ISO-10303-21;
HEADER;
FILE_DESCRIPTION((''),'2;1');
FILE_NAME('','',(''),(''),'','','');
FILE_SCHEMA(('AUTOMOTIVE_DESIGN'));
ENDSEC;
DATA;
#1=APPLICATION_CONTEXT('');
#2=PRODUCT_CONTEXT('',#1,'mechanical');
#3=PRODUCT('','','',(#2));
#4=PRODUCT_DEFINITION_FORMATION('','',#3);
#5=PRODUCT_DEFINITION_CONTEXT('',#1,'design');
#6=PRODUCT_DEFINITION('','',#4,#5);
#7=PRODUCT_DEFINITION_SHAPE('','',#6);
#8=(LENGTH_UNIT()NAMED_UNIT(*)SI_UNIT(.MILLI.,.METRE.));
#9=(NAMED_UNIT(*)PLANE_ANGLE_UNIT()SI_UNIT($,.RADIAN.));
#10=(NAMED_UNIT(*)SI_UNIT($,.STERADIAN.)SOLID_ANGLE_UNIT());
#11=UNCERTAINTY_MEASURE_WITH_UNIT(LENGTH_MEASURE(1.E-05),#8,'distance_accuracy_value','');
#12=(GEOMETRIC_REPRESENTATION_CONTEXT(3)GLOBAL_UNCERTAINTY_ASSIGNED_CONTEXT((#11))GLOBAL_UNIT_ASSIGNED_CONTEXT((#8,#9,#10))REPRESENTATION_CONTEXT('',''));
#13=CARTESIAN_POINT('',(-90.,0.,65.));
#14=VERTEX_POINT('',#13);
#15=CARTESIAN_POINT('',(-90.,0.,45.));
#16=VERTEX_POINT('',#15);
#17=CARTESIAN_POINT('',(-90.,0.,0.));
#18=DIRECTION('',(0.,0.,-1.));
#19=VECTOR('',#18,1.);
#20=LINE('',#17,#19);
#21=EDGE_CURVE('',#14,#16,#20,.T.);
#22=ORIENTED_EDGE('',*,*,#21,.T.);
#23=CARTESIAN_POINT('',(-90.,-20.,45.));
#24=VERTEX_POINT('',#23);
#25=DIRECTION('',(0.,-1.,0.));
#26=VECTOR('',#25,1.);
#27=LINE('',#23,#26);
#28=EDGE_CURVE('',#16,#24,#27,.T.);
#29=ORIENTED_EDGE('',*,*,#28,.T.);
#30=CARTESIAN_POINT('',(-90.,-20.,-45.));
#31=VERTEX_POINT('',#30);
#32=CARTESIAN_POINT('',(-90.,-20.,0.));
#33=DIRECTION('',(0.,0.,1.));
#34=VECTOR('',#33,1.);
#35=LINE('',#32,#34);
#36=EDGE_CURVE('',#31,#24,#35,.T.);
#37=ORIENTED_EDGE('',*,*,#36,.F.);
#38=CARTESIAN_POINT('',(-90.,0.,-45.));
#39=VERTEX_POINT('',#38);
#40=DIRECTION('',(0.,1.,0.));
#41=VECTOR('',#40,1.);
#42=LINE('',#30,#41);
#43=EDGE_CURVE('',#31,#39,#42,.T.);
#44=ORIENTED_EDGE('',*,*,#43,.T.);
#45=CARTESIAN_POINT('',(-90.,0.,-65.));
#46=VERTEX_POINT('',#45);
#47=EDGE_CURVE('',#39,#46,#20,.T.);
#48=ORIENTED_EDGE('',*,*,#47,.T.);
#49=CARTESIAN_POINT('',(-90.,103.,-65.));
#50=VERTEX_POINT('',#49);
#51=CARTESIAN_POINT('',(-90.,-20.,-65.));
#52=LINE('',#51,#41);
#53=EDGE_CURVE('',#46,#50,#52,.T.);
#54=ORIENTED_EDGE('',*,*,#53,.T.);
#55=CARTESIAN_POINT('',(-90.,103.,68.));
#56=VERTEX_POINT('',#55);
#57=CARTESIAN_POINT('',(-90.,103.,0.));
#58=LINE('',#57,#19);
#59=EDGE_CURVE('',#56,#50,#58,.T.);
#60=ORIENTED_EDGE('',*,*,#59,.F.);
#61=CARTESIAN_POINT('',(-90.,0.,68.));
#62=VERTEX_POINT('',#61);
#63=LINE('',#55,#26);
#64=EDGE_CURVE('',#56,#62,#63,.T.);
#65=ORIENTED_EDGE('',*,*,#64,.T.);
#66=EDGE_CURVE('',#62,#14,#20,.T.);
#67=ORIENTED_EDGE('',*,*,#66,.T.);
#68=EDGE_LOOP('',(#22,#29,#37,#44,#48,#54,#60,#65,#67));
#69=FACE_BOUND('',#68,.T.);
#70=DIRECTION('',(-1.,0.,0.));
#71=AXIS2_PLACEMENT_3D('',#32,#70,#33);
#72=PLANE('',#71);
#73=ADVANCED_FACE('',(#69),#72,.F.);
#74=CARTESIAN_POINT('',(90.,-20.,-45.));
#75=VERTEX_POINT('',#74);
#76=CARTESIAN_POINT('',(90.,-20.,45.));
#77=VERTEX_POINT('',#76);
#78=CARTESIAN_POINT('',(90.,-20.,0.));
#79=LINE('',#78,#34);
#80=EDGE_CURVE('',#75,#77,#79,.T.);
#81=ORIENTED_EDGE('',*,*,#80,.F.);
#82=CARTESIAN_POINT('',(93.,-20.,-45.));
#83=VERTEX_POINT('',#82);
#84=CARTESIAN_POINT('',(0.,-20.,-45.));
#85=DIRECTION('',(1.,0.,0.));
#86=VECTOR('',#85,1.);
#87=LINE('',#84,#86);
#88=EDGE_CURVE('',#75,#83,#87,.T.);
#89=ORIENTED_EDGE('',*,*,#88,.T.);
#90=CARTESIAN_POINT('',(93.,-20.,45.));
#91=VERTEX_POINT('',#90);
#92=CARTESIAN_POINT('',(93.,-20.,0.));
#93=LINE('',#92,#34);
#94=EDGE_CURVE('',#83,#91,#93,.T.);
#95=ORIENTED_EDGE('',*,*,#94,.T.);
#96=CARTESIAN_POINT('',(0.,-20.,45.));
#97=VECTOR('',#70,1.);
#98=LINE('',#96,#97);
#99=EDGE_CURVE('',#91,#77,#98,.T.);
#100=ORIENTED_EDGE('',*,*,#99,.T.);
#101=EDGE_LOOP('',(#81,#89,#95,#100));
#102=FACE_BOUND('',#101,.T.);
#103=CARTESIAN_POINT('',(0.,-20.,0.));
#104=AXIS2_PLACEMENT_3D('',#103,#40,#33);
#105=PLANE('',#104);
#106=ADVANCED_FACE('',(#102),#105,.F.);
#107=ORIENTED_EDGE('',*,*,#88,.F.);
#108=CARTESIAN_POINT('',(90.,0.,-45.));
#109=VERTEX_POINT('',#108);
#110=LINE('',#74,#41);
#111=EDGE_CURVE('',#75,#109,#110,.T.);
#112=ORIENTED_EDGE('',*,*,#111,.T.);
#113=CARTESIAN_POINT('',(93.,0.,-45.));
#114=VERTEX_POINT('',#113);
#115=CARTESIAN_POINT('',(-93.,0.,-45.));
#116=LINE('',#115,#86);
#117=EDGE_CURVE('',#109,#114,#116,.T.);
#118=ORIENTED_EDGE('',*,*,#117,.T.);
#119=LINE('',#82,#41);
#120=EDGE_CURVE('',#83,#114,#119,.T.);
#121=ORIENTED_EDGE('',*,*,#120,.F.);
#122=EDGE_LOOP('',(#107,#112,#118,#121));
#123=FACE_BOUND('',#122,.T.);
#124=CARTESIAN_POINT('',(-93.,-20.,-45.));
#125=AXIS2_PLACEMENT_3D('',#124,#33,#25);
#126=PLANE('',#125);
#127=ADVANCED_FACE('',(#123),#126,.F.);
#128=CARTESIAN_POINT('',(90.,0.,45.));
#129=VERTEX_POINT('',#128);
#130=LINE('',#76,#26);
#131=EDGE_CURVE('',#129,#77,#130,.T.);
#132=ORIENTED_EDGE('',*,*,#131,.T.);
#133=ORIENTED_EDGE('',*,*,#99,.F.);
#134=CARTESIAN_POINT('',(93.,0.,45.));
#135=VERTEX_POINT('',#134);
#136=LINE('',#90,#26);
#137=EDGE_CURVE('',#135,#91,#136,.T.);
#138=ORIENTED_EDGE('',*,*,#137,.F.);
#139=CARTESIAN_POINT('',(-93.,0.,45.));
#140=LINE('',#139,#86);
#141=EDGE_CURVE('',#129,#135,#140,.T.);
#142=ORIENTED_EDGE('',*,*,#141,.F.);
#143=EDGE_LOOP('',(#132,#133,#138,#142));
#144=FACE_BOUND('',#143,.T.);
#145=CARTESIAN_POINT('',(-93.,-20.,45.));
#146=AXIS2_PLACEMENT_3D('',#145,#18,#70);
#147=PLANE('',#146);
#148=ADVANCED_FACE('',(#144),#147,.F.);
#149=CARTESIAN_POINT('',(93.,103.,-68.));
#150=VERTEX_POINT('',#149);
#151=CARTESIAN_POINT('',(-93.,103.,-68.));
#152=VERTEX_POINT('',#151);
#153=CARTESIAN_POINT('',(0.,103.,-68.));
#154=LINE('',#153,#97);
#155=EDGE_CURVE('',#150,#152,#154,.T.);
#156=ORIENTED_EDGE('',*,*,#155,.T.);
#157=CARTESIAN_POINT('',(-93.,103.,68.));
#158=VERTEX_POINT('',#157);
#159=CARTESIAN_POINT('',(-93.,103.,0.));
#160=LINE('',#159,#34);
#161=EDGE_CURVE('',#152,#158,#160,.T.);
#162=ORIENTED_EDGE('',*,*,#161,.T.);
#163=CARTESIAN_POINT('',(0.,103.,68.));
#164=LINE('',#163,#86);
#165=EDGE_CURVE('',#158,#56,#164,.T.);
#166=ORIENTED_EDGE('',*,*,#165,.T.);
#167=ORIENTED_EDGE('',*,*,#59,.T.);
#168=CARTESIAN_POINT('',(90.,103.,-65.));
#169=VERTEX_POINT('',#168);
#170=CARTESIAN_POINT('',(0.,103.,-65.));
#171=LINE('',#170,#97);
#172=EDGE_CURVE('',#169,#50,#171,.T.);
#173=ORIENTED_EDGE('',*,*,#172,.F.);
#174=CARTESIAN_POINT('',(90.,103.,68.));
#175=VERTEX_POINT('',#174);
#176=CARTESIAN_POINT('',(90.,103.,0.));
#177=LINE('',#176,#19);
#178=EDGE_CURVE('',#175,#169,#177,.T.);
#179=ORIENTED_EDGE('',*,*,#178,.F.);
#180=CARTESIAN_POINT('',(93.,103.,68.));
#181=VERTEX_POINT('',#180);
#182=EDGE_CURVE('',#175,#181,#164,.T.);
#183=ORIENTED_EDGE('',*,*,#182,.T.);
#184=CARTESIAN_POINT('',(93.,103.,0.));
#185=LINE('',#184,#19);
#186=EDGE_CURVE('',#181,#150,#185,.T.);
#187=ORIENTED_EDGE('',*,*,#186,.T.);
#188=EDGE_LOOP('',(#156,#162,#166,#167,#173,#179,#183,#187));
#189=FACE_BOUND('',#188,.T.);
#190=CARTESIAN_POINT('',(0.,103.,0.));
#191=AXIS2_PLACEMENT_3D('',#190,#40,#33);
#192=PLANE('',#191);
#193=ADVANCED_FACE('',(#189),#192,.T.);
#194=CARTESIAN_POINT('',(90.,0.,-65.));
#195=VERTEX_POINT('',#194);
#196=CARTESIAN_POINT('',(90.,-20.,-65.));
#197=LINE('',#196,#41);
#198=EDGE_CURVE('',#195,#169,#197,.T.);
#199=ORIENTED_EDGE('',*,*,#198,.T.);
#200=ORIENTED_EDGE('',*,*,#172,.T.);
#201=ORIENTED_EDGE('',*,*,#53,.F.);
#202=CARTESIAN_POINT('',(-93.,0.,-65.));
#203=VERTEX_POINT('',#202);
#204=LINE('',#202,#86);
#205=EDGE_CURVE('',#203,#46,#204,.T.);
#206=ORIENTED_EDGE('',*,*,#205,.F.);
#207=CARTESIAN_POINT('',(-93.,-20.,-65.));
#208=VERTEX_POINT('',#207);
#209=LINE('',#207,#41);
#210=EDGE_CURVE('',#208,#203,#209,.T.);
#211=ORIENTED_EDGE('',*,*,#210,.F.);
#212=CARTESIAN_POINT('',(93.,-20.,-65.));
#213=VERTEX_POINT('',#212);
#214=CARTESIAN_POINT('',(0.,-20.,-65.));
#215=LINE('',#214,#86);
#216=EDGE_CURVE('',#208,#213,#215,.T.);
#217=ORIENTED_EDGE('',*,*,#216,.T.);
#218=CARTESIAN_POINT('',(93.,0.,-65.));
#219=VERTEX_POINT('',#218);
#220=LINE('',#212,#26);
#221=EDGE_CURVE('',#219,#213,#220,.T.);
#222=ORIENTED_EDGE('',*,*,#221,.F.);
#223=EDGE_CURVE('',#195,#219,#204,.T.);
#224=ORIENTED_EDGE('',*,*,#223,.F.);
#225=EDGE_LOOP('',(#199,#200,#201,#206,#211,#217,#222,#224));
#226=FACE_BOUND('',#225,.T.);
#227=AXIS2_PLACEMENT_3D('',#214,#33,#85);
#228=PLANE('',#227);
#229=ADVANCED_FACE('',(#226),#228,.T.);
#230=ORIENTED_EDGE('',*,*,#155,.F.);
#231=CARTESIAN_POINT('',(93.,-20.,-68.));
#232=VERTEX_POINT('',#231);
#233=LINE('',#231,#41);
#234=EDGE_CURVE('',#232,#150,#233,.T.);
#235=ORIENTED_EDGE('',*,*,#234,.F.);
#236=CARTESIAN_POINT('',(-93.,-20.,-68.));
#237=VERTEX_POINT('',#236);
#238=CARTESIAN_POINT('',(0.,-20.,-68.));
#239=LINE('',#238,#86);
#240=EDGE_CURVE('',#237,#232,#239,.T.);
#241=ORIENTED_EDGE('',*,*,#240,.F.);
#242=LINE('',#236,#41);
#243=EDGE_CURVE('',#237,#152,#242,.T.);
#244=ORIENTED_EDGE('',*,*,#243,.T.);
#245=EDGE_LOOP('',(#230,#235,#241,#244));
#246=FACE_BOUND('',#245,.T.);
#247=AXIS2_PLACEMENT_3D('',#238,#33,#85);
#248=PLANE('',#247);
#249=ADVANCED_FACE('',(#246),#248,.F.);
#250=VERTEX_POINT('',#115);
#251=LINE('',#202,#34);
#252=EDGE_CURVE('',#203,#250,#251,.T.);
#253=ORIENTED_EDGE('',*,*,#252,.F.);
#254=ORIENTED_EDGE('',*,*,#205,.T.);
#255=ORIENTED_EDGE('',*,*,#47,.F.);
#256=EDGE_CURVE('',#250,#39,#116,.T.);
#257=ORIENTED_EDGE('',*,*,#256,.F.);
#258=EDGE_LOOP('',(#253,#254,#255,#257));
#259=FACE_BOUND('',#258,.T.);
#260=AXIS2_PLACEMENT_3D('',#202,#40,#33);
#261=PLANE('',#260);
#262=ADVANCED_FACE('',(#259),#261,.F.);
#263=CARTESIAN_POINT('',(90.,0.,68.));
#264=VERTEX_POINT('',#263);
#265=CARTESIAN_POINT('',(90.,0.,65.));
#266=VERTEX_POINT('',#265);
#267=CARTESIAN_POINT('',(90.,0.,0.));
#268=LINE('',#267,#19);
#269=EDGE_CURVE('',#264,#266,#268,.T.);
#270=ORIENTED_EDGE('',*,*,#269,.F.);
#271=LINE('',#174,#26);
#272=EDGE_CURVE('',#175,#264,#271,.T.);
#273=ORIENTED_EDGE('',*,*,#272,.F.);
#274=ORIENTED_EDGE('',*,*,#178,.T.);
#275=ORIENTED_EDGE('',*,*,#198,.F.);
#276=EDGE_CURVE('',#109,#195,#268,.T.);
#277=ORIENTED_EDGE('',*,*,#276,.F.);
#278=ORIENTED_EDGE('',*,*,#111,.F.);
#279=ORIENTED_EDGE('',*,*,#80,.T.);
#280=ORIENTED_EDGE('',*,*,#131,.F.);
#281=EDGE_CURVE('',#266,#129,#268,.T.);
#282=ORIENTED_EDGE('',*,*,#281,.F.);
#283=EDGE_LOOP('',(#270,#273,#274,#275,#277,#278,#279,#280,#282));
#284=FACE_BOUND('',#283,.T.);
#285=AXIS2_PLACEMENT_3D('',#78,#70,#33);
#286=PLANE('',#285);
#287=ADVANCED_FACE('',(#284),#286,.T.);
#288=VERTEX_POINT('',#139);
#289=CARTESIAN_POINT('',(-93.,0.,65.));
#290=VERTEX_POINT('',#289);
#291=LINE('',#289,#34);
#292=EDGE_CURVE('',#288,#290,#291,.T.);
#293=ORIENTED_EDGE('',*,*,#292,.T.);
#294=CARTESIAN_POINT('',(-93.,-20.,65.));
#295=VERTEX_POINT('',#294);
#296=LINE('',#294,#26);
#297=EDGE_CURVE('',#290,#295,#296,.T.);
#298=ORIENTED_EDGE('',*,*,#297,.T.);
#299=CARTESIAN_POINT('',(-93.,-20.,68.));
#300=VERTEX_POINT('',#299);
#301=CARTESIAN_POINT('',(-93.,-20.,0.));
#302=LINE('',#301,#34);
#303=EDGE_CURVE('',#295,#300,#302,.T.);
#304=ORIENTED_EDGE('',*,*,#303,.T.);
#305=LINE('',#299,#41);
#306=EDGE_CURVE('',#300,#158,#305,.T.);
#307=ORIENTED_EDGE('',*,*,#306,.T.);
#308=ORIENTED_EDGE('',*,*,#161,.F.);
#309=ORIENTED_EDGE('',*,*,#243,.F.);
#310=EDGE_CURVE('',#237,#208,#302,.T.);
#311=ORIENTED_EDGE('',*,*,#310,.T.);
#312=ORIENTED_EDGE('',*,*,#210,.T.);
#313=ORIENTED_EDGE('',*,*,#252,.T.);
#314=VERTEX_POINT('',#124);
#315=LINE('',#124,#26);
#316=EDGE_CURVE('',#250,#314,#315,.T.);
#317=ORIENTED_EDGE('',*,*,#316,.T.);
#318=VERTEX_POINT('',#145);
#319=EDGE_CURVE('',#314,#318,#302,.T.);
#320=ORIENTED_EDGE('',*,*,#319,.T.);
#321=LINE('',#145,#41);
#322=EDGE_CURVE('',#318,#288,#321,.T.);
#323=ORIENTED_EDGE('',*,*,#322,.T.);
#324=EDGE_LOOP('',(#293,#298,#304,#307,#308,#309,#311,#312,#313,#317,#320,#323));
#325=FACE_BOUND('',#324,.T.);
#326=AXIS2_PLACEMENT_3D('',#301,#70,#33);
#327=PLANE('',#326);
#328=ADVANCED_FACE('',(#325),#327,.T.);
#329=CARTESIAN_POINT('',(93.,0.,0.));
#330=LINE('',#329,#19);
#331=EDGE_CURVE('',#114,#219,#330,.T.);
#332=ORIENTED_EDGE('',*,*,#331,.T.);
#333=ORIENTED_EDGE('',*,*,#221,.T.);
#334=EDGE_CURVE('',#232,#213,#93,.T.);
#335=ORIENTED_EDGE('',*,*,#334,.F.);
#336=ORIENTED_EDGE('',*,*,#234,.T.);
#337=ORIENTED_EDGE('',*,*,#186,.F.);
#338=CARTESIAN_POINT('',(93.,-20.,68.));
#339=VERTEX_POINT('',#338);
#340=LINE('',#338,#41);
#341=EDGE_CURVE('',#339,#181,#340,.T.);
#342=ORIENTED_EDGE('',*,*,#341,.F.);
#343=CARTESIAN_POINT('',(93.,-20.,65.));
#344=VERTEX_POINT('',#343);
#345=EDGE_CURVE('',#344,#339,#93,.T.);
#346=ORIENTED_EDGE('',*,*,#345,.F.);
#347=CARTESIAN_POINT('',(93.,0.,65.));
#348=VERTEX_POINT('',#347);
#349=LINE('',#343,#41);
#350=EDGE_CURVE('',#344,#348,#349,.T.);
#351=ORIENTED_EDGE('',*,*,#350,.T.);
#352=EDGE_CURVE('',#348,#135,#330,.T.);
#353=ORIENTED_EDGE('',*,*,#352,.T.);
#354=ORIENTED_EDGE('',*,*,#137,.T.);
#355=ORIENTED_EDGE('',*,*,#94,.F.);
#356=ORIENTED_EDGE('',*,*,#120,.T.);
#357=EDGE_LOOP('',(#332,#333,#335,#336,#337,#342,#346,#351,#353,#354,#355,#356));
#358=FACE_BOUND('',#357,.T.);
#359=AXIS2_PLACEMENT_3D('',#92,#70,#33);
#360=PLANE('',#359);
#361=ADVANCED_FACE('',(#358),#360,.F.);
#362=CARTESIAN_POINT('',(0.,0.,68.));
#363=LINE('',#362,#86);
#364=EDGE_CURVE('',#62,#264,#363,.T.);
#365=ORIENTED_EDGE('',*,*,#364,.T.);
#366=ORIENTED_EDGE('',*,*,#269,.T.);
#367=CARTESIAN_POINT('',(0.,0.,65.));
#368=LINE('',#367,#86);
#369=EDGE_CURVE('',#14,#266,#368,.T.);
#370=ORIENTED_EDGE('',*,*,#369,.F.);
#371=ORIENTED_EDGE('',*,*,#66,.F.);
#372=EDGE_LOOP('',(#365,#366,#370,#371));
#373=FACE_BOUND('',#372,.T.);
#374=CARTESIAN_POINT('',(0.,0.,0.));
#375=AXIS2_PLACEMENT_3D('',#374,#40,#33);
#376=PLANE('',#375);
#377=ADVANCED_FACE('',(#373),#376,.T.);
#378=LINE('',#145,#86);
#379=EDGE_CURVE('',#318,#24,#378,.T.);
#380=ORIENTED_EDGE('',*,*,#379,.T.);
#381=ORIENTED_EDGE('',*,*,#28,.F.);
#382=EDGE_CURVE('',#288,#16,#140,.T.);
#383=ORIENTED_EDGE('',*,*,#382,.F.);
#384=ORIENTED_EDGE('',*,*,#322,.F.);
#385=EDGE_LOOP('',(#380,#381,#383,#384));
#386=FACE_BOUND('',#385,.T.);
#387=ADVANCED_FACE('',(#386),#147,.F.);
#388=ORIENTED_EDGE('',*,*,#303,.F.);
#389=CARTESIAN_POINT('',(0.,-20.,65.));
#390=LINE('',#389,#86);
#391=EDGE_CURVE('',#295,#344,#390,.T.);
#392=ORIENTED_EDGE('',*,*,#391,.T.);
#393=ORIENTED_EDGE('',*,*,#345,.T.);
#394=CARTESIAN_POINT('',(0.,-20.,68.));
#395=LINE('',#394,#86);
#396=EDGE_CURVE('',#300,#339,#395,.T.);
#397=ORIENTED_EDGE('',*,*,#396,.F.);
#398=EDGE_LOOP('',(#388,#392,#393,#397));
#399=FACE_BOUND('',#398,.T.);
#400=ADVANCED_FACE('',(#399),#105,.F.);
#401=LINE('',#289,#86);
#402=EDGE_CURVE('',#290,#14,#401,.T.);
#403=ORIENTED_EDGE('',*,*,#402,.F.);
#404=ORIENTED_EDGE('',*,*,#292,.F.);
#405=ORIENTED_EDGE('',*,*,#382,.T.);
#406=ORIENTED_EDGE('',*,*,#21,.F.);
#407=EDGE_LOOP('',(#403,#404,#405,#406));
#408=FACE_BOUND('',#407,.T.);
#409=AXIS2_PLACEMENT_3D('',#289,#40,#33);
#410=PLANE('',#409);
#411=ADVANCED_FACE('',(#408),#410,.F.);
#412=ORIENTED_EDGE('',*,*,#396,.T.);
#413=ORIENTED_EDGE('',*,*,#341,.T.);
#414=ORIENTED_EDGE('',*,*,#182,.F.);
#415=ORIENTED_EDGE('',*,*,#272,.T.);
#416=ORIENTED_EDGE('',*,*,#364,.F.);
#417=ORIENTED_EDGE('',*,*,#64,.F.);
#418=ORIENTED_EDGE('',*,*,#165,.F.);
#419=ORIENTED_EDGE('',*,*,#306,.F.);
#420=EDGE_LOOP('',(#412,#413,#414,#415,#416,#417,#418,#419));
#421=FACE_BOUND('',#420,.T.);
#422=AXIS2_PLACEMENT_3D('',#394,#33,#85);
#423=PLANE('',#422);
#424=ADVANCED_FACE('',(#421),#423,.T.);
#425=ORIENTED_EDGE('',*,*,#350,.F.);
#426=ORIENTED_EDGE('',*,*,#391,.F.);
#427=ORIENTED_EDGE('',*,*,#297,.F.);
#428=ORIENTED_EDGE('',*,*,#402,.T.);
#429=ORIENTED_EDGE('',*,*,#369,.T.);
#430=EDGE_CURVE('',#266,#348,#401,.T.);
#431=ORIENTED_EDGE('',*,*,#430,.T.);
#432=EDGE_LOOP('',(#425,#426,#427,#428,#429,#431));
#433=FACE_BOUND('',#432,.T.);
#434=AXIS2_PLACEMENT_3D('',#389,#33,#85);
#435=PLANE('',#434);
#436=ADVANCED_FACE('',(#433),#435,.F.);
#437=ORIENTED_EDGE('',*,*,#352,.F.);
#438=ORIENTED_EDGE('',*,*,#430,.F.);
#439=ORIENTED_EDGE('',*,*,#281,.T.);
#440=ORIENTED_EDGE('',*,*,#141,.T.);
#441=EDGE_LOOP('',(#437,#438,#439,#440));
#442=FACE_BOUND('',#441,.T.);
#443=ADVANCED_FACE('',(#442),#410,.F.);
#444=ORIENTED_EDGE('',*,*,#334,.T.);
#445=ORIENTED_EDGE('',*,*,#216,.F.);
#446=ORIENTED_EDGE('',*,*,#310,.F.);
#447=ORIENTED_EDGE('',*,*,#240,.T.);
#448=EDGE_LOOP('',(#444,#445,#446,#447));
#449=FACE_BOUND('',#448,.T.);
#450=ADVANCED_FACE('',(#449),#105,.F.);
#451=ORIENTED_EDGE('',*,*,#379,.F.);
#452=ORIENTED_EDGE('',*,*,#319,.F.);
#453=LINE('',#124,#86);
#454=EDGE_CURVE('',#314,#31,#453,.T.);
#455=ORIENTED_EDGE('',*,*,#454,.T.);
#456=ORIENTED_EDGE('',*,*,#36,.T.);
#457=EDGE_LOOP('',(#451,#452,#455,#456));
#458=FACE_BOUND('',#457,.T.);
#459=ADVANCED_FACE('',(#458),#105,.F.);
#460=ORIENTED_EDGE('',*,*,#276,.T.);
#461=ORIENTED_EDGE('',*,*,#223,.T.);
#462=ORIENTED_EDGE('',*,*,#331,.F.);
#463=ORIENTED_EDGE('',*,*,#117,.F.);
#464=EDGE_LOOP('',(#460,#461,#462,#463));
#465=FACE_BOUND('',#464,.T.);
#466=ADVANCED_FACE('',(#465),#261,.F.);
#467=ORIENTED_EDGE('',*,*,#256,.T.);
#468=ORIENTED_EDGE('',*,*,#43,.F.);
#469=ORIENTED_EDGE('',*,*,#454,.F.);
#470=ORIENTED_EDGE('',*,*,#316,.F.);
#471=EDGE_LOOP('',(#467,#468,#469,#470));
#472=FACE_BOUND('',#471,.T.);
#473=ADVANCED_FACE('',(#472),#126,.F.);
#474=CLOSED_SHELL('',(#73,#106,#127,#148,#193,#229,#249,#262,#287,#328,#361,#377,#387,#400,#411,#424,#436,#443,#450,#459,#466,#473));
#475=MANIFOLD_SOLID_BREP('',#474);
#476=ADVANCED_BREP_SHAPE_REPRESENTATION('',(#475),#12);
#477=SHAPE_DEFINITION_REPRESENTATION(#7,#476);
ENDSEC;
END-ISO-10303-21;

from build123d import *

# Parameters (mm, degrees)
SKETCH2_W               = 186
SKETCH2_H               = 136
BOSS_EXTRUDE1_DEPTH     = 20
BOSS_EXTRUDE2_DEPTH     = 103
CUT_EXTRUDE1_DEPTH      = 224.224102641
CUT_EXTRUDE1_DEPTH_BACK = 224.224102641
SKETCH4_W               = 20
SKETCH4_H               = 20


with BuildPart() as part:
    # Sketch2 → Boss-Extrude1 (new body)
    with BuildSketch(Plane(origin=(0, 0, 0), x_dir=(1, 0, 0), z_dir=(0, 1, 0))):
        Rectangle(SKETCH2_W, SKETCH2_H)
        Polygon((-90, -65), (-90, -60), (-90, 60), (-90, 65), (90, 65), (90, 60), (90, -60), (90, -65), align=None, mode=Mode.SUBTRACT)
    extrude(amount=-BOSS_EXTRUDE1_DEPTH)

    # Sketch3 → Boss-Extrude2 (add)
    with BuildSketch(Plane(origin=(0, 0, 0), x_dir=(1, 0, 0), z_dir=(0, 1, 0))):
        Polygon((-93, 65), (-93, -68), (-90, -68), (-90, -65), (-90, 65), align=None)
        Polygon((-93, 68), (-93, 65), (-90, 65), (90, 65), (93, 65), (93, 68), align=None)
        Polygon((90, -65), (90, -68), (93, -68), (93, 65), (90, 65), align=None)
    extrude(amount=BOSS_EXTRUDE2_DEPTH)

    # Sketch4 → Cut-Extrude1 (cut, two sides: drawn at the far end of the back side and taken through both)
    with BuildSketch(Plane(origin=(93, 0, 0), x_dir=(0, 0, -1), z_dir=(1, 0, 0)).offset(-CUT_EXTRUDE1_DEPTH_BACK)):
        with Locations((-55, -10)):
            Rectangle(SKETCH4_W, SKETCH4_H)
        with Locations((55, -10)):
            Rectangle(SKETCH4_W, SKETCH4_H)
    extrude(amount=CUT_EXTRUDE1_DEPTH + CUT_EXTRUDE1_DEPTH_BACK, mode=Mode.SUBTRACT)


solid = part.part
